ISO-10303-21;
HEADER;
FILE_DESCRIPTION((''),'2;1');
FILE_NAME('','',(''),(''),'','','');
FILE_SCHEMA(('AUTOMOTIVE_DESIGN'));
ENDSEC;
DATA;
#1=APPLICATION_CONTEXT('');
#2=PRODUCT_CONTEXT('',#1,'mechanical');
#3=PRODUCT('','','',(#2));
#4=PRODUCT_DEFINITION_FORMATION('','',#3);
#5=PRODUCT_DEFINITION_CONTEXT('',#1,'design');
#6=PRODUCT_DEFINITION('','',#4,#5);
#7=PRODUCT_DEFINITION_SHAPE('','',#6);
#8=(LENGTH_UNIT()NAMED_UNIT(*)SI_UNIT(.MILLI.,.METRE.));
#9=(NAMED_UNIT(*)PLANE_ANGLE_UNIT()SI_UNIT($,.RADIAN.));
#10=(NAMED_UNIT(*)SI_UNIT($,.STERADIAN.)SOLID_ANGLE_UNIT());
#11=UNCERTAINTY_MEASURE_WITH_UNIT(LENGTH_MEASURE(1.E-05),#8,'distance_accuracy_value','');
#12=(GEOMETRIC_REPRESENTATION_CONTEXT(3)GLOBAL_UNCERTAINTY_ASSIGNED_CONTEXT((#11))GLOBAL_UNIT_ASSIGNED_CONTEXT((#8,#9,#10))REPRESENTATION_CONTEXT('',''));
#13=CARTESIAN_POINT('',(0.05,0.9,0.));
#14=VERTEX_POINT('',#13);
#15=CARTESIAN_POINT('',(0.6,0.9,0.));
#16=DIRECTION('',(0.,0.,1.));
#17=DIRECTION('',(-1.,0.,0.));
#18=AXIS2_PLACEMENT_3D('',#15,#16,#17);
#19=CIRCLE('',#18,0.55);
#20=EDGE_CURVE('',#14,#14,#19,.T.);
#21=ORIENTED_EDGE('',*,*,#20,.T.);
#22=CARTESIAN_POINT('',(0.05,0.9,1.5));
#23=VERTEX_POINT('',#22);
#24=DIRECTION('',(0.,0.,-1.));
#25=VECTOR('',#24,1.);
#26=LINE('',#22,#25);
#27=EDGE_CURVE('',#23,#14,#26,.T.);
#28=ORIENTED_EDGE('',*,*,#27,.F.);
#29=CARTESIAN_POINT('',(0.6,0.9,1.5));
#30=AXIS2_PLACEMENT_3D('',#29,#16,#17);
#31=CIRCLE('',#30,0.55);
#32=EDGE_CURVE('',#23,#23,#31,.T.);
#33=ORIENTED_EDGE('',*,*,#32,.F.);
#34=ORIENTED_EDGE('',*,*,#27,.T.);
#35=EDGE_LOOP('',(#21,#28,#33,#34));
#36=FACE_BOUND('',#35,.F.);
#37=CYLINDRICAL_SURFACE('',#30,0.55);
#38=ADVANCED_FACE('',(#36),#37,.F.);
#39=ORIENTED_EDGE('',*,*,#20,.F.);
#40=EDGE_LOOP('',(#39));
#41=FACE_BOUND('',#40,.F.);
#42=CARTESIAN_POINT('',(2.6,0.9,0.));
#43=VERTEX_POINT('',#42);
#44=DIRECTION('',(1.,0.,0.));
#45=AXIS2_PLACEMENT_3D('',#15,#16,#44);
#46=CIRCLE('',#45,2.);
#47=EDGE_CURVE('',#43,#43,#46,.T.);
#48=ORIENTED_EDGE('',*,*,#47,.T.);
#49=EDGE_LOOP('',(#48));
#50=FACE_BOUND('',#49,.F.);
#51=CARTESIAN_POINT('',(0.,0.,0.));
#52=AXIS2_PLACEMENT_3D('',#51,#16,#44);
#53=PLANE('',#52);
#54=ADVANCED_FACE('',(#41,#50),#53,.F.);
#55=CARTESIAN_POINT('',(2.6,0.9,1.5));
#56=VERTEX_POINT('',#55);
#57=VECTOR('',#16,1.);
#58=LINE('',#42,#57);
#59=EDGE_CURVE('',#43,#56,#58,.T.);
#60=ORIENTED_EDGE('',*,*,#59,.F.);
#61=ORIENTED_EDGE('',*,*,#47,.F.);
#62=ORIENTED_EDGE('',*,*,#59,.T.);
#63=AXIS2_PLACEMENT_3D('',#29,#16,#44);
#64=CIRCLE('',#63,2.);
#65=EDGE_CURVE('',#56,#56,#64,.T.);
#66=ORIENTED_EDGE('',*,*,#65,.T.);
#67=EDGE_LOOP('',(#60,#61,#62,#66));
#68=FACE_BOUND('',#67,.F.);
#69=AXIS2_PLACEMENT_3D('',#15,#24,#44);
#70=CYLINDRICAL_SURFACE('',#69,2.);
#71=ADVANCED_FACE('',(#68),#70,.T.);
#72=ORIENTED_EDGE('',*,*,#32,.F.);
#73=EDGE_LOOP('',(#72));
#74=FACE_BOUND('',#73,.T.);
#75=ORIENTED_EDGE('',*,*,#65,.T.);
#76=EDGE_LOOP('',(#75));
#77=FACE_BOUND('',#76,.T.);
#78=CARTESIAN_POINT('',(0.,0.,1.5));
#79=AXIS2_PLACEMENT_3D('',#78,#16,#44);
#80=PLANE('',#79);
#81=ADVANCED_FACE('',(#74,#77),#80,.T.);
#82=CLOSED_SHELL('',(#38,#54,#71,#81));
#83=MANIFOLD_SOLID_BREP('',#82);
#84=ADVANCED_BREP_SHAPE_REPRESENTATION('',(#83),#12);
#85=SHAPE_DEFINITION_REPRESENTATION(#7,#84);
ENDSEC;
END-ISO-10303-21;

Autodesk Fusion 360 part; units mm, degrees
sketch "Sketch1" plane through (0, 0, 0) normal (0, 0, 1) x (1, 0, 0)
  circle A0 centre (0.6, 0.9) radius 2
  dimension "d1" = 4
extrude "Extrude1" add sketch "Sketch1" along normal blind 1.5
sketch "Sketch2" plane through (0, 0, 1.5) normal (0, 0, 1) x (-1, 0, 0)
  circle A0 centre (-0.6, -0.9) radius 2
  circle A1 centre (-0.6, -0.9) radius 0.55
  dimension "d4" = 1.1
extrude "Extrude2" cut sketch "Sketch2" against normal blind 3.1 contours A1
